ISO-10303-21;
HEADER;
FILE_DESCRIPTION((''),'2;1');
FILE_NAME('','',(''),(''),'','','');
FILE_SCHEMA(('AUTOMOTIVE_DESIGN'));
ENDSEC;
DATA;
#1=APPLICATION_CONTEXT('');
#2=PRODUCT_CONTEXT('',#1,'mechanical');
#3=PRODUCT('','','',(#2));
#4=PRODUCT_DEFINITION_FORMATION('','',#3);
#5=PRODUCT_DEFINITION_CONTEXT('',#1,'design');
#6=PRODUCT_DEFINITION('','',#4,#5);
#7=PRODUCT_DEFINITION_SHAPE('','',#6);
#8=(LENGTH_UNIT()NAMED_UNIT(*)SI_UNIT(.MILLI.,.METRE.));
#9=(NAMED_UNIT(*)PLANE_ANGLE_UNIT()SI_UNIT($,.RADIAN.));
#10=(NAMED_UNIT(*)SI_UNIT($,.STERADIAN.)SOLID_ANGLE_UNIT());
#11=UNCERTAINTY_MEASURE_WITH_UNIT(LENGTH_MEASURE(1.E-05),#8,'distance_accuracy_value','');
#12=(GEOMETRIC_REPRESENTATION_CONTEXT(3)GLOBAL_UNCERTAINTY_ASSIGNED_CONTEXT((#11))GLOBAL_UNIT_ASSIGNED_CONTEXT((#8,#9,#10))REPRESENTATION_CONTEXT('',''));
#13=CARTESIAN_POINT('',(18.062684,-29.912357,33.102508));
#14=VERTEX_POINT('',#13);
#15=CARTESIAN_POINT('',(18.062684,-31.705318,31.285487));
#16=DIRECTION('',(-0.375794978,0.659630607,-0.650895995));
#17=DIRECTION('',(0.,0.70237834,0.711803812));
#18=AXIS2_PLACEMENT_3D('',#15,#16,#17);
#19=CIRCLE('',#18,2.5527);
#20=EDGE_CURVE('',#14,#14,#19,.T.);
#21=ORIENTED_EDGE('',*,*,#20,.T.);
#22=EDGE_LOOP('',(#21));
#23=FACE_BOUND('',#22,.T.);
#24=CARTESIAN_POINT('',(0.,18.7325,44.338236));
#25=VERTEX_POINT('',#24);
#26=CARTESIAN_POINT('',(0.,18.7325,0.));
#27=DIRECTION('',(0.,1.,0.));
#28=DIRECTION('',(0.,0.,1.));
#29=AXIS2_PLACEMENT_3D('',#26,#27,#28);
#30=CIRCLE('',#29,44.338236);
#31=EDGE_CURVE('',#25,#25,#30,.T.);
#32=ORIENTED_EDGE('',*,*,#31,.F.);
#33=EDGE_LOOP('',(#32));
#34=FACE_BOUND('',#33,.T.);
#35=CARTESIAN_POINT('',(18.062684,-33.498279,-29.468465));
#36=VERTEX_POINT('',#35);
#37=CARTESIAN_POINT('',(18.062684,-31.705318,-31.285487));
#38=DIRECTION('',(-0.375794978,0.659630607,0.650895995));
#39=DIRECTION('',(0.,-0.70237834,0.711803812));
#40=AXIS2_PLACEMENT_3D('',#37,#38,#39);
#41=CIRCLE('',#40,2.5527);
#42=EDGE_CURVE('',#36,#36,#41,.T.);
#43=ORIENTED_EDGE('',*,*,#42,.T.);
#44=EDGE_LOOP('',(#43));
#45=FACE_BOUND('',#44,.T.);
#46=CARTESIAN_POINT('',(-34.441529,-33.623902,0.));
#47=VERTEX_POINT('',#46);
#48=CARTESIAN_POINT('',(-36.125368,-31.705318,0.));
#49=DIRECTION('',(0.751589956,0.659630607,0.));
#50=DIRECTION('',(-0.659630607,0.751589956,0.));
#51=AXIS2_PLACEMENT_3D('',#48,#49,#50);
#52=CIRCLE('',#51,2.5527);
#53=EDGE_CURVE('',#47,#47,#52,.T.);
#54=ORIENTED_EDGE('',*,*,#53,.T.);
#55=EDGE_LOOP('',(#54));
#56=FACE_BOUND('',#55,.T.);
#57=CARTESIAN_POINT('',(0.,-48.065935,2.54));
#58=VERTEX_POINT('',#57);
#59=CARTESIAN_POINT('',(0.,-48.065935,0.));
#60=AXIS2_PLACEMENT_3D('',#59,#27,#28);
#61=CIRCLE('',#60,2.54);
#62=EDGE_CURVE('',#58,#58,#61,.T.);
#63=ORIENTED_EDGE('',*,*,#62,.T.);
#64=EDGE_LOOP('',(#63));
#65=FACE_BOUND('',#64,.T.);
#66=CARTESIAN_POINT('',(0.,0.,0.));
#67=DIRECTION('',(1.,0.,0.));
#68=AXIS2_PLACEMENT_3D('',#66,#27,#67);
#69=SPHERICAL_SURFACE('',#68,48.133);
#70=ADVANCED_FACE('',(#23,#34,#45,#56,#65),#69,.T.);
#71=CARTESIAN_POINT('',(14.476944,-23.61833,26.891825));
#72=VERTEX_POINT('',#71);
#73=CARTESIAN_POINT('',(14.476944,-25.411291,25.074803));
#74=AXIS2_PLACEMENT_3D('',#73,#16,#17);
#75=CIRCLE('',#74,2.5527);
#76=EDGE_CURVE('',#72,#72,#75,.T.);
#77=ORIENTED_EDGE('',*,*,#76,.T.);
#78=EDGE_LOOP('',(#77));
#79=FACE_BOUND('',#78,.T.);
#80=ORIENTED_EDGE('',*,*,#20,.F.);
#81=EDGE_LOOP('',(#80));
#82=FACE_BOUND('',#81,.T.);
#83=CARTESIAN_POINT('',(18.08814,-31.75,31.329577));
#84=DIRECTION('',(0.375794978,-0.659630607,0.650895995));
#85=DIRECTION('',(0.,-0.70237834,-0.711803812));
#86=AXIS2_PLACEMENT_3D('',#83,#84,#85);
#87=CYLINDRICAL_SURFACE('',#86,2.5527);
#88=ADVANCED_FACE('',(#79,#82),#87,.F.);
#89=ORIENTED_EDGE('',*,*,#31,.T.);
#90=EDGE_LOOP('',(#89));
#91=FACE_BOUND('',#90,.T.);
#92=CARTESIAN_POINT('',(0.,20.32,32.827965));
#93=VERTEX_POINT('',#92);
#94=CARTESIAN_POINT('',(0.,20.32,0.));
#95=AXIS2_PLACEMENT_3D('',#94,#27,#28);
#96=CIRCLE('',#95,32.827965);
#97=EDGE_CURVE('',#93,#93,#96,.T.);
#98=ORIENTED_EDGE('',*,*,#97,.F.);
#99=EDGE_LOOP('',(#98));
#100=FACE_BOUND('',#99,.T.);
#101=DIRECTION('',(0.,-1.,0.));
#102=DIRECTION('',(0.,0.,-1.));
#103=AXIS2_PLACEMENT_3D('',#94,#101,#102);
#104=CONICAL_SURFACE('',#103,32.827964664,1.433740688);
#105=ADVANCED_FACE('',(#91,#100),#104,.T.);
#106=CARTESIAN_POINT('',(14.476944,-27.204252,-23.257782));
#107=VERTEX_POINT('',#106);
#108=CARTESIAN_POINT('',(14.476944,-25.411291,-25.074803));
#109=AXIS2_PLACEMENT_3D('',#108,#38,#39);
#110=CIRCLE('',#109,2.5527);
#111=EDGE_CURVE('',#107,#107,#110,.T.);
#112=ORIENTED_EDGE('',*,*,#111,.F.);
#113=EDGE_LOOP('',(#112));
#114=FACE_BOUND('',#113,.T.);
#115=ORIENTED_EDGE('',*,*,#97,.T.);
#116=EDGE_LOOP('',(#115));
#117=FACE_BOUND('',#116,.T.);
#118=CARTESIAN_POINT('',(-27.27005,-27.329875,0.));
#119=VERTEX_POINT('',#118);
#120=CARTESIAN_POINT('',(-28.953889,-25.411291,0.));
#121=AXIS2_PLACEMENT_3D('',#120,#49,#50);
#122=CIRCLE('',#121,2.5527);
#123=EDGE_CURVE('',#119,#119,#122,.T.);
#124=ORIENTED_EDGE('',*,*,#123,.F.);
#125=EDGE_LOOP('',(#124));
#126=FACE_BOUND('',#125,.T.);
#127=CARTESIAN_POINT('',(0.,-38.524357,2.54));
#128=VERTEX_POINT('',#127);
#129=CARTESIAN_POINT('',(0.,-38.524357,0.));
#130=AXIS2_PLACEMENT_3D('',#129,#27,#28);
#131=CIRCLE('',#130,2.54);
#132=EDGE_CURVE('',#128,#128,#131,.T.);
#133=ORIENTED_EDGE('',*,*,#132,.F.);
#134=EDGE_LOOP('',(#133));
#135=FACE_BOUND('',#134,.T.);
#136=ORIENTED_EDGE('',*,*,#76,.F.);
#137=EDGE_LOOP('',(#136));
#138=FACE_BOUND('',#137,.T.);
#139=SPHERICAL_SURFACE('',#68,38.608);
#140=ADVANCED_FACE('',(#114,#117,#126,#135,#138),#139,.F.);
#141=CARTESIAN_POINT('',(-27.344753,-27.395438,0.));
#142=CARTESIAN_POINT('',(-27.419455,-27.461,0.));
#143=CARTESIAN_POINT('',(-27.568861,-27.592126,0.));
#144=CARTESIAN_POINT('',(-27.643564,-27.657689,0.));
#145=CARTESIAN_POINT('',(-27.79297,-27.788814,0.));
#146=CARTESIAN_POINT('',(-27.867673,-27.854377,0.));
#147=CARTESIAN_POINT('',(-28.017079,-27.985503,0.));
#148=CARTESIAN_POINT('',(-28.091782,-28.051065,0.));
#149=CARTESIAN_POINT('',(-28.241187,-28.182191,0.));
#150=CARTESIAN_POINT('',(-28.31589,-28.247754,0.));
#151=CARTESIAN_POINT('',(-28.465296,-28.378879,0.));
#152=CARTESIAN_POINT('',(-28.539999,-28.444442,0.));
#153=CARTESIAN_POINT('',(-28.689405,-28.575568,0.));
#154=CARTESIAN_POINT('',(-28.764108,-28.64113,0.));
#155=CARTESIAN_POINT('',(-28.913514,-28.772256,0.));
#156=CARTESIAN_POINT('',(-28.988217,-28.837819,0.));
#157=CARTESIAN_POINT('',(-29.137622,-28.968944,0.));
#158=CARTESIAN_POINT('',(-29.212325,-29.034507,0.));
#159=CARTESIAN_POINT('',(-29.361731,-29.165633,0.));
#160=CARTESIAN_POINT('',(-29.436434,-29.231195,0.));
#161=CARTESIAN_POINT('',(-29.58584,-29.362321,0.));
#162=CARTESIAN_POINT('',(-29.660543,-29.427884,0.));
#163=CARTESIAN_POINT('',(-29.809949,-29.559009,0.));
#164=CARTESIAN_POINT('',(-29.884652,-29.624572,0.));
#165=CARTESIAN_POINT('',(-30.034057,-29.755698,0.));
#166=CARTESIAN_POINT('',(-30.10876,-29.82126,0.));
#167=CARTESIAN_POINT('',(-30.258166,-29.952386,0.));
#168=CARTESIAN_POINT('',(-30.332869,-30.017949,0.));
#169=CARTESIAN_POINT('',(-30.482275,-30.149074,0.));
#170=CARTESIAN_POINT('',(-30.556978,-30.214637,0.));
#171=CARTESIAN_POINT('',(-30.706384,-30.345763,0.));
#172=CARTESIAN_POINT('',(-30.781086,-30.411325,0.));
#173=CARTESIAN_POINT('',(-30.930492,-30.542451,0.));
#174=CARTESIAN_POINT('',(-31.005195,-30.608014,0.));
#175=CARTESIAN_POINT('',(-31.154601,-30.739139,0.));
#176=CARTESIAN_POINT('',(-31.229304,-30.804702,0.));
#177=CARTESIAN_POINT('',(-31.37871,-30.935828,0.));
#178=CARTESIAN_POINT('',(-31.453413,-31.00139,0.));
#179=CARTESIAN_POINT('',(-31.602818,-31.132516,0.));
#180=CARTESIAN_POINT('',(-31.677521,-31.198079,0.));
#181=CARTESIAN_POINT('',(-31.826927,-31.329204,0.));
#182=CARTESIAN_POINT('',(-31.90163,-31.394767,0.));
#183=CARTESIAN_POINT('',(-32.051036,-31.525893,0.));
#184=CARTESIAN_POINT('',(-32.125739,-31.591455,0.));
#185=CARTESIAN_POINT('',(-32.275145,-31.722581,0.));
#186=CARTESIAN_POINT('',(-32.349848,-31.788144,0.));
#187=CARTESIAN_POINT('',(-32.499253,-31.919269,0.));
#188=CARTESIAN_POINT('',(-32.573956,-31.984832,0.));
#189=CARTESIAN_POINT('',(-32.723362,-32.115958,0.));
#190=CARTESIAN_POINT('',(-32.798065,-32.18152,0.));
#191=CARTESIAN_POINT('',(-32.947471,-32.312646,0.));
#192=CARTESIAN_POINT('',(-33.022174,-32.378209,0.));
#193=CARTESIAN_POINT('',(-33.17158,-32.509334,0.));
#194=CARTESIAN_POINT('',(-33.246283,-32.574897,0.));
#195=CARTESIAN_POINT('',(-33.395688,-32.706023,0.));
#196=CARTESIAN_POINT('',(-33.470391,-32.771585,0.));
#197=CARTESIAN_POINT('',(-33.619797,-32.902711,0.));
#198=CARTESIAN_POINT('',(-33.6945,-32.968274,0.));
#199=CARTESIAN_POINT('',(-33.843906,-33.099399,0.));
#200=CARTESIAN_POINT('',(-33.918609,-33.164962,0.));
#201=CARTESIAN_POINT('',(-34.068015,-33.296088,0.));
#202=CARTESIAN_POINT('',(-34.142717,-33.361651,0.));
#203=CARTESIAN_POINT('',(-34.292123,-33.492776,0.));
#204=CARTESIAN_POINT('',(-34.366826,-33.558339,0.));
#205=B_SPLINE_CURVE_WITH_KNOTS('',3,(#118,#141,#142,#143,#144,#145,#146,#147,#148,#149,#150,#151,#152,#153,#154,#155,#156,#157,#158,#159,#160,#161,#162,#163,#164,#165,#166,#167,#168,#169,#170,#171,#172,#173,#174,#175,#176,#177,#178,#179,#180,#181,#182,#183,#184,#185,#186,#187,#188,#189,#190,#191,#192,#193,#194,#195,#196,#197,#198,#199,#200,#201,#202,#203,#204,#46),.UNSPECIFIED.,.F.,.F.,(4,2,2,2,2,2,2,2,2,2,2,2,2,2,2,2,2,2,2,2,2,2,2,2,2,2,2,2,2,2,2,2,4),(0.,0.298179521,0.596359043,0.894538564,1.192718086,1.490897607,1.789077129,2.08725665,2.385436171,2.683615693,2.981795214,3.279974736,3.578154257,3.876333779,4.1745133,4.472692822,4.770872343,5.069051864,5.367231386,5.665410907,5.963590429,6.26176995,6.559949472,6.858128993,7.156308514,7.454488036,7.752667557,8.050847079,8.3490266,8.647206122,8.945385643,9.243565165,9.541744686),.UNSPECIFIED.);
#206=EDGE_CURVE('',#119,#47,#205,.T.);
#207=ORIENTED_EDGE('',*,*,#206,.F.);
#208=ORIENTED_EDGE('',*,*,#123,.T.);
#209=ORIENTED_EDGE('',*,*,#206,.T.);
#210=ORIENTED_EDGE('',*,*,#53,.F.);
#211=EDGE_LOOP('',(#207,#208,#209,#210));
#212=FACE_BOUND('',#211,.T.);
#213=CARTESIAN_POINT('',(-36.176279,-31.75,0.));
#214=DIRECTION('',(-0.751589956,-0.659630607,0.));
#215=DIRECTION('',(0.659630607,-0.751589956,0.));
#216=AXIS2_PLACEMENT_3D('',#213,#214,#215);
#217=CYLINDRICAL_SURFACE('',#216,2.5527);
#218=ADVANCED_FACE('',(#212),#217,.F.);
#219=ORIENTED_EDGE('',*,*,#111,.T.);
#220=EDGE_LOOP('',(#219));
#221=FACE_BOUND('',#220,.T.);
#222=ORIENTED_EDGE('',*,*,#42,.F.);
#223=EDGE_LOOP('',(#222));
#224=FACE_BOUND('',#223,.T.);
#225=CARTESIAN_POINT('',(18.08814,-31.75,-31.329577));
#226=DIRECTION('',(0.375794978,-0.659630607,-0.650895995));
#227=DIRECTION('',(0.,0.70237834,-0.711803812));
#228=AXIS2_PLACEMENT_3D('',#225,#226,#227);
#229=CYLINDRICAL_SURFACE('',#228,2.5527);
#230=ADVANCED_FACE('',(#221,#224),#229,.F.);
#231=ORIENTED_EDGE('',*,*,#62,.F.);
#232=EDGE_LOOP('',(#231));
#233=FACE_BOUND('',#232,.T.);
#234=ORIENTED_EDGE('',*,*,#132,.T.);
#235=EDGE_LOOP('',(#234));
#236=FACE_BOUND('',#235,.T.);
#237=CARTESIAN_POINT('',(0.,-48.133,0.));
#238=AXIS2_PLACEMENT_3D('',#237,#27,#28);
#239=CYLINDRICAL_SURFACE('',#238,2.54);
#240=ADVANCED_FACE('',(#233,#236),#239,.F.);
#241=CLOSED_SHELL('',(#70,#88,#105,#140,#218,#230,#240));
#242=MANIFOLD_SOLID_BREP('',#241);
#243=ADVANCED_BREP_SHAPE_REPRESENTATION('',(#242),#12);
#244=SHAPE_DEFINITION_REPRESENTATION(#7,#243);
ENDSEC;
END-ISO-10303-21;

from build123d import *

# Parameters (mm, degrees)
F_7_0_201_DIAMETER_HOLE1_D     = 5.1054
F_7_0_201_DIAMETER_HOLE1_DEPTH = 101.176865362
CIRPATTERN1_COUNT              = 3
SKETCH7_R                      = 2.54
CUT_EXTRUDE1_DEPTH             = 84.368801521


with BuildPart() as part:
    # Sketch1 one side → Revolve1 (revolve)
    with BuildSketch(Plane.XY, mode=Mode.PRIVATE) as revolve1_sk:
        with BuildLine():
            ThreePointArc((0, -38.608), (-33.727527511, -18.789133881), (-32.827964664, 20.32))
            Line((-32.827964664, 20.32), (-44.338235562, 18.7325))
            ThreePointArc((-44.338235562, 18.7325), (-40.115066443, -26.600134083), (0, -48.133))
            Line((0, -48.133), (0, -38.608))
        make_face()
    revolve(revolve1_sk.sketch.rotate(Axis((0, 48.133, 0), (0, -1, 0)), 180), axis=Axis((0, 48.133, 0), (0, -1, 0)))

    # #7 (0.201) Diameter Hole1
    with Locations(Plane(origin=(-36.176279369, -31.75, 0), x_dir=(0.65963060686, -0.751589956355, 0), z_dir=(-0.751589956355, -0.65963060686, 0))):
        with Locations((0, 0)):
            f_7_0_201_diameter_hole1 = Hole(F_7_0_201_DIAMETER_HOLE1_D / 2, depth=F_7_0_201_DIAMETER_HOLE1_DEPTH)

    # CirPattern1: #7 (0.201) Diameter Hole1 ×3 about axis
    cirpattern1_axis = Axis((0, 18.7325, 0), (0, 1, 0))
    for i in range(1, CIRPATTERN1_COUNT):
        add(f_7_0_201_diameter_hole1.rotate(cirpattern1_axis, i * 360 / CIRPATTERN1_COUNT), mode=Mode.SUBTRACT)

    # Sketch7 → Cut-Extrude1 (cut, through all)
    with BuildSketch(Plane(origin=(0, 0, 0), x_dir=(1, 0, 0), z_dir=(0, 1, 0))):
        with Locations(Location((0, 0, 0), (0, 0, 270))):
            Circle(SKETCH7_R)
    extrude(amount=-CUT_EXTRUDE1_DEPTH, mode=Mode.SUBTRACT)


solid = part.part
